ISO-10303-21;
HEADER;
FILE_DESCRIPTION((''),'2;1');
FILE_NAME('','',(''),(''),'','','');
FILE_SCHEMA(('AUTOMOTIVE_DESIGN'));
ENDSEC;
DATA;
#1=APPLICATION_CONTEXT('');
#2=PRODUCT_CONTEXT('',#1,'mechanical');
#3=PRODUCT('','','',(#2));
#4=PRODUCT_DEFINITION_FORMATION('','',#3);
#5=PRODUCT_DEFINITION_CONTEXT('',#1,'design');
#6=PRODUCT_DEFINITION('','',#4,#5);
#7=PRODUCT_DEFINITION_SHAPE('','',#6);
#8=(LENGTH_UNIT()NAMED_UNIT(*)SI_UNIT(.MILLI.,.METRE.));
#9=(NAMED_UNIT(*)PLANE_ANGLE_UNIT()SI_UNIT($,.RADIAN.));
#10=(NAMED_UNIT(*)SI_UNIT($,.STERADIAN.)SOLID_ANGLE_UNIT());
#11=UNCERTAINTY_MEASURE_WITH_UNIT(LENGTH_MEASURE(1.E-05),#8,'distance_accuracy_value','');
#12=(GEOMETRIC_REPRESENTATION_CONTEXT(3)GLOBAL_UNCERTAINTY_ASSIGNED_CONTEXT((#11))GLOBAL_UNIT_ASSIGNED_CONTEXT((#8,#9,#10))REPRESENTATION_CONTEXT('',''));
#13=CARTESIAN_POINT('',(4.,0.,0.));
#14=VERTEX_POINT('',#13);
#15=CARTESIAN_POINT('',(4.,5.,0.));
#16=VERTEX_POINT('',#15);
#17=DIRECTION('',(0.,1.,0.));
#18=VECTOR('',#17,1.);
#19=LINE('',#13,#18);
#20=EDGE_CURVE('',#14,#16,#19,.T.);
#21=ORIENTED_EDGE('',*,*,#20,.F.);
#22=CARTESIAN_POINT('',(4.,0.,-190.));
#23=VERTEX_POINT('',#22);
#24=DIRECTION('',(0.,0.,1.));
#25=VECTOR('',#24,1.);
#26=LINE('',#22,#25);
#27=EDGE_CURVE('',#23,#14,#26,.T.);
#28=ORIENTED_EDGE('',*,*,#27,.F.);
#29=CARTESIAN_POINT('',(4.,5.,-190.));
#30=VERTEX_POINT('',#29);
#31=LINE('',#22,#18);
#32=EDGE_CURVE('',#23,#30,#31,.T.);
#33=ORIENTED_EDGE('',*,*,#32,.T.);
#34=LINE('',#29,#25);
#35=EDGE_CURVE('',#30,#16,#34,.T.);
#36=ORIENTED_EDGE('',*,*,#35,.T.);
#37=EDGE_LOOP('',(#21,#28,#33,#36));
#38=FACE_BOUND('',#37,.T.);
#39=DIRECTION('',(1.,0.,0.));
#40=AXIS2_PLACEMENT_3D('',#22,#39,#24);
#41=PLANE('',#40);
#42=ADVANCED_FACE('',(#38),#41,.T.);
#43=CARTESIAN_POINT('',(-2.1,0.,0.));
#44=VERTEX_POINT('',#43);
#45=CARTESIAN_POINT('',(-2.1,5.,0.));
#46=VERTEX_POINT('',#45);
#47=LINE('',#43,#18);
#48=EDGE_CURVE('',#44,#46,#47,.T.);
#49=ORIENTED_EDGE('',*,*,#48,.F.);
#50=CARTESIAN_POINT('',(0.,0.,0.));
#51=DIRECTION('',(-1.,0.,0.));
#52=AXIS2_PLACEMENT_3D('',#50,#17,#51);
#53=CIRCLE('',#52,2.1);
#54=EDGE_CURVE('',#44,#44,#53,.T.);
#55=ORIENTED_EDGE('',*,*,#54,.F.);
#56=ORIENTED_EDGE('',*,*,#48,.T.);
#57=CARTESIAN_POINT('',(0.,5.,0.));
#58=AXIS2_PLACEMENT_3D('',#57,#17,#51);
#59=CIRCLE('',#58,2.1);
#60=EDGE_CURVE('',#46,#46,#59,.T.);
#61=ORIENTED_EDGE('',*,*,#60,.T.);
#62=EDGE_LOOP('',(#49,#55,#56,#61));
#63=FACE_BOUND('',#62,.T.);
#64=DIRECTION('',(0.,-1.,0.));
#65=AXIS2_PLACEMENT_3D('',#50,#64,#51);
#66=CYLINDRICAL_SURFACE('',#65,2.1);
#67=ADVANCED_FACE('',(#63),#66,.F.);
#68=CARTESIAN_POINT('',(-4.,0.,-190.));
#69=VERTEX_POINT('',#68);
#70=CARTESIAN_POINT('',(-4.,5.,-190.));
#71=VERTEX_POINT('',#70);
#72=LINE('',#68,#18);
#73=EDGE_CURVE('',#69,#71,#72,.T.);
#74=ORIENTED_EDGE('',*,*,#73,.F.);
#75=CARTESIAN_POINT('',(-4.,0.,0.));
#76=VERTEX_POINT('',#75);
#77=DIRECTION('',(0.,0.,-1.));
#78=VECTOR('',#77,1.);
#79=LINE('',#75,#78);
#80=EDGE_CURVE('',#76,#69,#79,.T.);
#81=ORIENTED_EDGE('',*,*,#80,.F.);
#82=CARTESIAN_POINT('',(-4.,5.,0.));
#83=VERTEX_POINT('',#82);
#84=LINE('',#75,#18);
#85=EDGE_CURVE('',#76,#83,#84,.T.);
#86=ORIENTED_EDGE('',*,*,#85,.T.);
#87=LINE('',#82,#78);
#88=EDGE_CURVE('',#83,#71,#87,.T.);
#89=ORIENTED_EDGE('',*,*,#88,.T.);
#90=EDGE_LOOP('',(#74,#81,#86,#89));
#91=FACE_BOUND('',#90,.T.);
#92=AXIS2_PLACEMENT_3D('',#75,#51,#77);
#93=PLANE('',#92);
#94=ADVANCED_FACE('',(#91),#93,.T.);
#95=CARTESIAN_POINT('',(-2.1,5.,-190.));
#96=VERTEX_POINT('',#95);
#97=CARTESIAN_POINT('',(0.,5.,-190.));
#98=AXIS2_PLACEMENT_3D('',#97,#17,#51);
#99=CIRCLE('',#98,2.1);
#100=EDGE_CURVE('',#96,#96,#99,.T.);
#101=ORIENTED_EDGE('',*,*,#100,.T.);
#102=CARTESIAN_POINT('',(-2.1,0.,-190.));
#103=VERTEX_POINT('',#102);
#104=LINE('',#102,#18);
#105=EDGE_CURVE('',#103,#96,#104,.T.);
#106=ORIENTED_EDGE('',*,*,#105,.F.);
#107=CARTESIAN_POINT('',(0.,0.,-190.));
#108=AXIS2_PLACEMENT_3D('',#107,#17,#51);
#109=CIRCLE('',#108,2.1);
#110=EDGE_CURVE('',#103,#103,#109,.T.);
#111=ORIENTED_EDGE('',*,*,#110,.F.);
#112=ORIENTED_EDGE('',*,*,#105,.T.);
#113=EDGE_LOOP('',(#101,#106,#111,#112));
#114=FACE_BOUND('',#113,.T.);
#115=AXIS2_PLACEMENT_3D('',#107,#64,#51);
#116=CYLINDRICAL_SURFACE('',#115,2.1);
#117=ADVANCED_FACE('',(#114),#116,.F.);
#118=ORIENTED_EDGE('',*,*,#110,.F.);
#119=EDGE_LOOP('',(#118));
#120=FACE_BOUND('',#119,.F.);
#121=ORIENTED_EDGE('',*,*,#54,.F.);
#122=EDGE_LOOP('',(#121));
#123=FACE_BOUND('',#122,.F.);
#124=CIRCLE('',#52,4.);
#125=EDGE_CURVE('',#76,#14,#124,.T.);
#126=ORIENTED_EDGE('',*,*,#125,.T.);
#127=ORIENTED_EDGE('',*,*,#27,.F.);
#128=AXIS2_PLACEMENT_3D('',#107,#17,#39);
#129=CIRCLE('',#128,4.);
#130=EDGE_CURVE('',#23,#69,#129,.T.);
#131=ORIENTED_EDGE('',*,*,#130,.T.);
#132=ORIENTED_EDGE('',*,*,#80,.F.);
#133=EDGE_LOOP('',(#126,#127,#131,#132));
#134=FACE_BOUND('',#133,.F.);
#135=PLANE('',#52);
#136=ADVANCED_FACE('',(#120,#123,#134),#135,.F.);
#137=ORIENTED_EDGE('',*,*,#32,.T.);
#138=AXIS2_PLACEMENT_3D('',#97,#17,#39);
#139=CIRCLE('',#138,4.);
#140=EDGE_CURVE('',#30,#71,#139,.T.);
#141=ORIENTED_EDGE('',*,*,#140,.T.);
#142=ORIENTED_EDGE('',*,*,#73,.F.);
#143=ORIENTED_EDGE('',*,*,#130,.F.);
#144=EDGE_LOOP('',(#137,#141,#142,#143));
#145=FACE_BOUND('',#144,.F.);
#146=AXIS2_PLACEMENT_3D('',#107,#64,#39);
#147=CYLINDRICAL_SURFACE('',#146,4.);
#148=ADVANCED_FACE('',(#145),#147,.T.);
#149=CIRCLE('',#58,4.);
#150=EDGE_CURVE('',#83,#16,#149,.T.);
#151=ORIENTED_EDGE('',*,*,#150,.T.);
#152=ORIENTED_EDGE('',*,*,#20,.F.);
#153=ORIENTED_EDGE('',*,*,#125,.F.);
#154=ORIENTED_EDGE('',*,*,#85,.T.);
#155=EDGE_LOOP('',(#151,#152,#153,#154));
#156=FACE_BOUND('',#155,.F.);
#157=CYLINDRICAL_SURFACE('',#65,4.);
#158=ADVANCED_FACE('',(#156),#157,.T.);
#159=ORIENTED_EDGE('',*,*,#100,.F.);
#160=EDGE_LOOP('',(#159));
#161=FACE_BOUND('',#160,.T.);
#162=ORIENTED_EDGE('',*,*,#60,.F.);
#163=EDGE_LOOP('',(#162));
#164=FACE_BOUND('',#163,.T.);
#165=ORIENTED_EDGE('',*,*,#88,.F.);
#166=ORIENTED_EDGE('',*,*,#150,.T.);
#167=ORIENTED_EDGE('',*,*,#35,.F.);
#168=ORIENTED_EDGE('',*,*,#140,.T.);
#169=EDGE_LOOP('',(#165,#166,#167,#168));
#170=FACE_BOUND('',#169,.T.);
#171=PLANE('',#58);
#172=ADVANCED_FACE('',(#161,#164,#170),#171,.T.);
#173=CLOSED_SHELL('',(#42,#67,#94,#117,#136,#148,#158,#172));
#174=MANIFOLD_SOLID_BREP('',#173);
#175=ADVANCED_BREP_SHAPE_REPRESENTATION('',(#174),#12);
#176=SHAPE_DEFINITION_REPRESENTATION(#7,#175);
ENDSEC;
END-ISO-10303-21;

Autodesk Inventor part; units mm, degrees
ref_plane "YZ Plane" through (0, 0, 0) normal (1, 0, 0) x (0, 1, 0)
ref_plane "XZ Plane" through (0, 0, 0) normal (0, 1, 0) x (-1, 0, 0)
ref_plane "XY Plane" through (0, 0, 0) normal (0, 0, 1) x (1, 0, 0)
sketch "Sketch1" plane through (0, 0, 0) normal (0, 1, 0) x (-1, 0, 0)
  line L0 (0, 0) -> (0, -190) construction
  line L1 (4, 0) -> (4, -190)
  line L2 (-4, -190) -> (-4, 0)
  arc A0 (4, 0) -> (-4, 0) centre (0, 0) ccw
  arc A1 (-4, -190) -> (4, -190) centre (0, -190) ccw
  circle A2 centre (0, 0) radius 2.1
  circle A3 centre (0, -190) radius 2.1
  point P0 (0, -95)
  dimension "d0" = 190
  dimension "d1" = 8
  dimension "d2" = 4.2
  dimension "d3" = 4.2
extrude "Extrusion1" add sketch "Sketch1" along normal blind 5
